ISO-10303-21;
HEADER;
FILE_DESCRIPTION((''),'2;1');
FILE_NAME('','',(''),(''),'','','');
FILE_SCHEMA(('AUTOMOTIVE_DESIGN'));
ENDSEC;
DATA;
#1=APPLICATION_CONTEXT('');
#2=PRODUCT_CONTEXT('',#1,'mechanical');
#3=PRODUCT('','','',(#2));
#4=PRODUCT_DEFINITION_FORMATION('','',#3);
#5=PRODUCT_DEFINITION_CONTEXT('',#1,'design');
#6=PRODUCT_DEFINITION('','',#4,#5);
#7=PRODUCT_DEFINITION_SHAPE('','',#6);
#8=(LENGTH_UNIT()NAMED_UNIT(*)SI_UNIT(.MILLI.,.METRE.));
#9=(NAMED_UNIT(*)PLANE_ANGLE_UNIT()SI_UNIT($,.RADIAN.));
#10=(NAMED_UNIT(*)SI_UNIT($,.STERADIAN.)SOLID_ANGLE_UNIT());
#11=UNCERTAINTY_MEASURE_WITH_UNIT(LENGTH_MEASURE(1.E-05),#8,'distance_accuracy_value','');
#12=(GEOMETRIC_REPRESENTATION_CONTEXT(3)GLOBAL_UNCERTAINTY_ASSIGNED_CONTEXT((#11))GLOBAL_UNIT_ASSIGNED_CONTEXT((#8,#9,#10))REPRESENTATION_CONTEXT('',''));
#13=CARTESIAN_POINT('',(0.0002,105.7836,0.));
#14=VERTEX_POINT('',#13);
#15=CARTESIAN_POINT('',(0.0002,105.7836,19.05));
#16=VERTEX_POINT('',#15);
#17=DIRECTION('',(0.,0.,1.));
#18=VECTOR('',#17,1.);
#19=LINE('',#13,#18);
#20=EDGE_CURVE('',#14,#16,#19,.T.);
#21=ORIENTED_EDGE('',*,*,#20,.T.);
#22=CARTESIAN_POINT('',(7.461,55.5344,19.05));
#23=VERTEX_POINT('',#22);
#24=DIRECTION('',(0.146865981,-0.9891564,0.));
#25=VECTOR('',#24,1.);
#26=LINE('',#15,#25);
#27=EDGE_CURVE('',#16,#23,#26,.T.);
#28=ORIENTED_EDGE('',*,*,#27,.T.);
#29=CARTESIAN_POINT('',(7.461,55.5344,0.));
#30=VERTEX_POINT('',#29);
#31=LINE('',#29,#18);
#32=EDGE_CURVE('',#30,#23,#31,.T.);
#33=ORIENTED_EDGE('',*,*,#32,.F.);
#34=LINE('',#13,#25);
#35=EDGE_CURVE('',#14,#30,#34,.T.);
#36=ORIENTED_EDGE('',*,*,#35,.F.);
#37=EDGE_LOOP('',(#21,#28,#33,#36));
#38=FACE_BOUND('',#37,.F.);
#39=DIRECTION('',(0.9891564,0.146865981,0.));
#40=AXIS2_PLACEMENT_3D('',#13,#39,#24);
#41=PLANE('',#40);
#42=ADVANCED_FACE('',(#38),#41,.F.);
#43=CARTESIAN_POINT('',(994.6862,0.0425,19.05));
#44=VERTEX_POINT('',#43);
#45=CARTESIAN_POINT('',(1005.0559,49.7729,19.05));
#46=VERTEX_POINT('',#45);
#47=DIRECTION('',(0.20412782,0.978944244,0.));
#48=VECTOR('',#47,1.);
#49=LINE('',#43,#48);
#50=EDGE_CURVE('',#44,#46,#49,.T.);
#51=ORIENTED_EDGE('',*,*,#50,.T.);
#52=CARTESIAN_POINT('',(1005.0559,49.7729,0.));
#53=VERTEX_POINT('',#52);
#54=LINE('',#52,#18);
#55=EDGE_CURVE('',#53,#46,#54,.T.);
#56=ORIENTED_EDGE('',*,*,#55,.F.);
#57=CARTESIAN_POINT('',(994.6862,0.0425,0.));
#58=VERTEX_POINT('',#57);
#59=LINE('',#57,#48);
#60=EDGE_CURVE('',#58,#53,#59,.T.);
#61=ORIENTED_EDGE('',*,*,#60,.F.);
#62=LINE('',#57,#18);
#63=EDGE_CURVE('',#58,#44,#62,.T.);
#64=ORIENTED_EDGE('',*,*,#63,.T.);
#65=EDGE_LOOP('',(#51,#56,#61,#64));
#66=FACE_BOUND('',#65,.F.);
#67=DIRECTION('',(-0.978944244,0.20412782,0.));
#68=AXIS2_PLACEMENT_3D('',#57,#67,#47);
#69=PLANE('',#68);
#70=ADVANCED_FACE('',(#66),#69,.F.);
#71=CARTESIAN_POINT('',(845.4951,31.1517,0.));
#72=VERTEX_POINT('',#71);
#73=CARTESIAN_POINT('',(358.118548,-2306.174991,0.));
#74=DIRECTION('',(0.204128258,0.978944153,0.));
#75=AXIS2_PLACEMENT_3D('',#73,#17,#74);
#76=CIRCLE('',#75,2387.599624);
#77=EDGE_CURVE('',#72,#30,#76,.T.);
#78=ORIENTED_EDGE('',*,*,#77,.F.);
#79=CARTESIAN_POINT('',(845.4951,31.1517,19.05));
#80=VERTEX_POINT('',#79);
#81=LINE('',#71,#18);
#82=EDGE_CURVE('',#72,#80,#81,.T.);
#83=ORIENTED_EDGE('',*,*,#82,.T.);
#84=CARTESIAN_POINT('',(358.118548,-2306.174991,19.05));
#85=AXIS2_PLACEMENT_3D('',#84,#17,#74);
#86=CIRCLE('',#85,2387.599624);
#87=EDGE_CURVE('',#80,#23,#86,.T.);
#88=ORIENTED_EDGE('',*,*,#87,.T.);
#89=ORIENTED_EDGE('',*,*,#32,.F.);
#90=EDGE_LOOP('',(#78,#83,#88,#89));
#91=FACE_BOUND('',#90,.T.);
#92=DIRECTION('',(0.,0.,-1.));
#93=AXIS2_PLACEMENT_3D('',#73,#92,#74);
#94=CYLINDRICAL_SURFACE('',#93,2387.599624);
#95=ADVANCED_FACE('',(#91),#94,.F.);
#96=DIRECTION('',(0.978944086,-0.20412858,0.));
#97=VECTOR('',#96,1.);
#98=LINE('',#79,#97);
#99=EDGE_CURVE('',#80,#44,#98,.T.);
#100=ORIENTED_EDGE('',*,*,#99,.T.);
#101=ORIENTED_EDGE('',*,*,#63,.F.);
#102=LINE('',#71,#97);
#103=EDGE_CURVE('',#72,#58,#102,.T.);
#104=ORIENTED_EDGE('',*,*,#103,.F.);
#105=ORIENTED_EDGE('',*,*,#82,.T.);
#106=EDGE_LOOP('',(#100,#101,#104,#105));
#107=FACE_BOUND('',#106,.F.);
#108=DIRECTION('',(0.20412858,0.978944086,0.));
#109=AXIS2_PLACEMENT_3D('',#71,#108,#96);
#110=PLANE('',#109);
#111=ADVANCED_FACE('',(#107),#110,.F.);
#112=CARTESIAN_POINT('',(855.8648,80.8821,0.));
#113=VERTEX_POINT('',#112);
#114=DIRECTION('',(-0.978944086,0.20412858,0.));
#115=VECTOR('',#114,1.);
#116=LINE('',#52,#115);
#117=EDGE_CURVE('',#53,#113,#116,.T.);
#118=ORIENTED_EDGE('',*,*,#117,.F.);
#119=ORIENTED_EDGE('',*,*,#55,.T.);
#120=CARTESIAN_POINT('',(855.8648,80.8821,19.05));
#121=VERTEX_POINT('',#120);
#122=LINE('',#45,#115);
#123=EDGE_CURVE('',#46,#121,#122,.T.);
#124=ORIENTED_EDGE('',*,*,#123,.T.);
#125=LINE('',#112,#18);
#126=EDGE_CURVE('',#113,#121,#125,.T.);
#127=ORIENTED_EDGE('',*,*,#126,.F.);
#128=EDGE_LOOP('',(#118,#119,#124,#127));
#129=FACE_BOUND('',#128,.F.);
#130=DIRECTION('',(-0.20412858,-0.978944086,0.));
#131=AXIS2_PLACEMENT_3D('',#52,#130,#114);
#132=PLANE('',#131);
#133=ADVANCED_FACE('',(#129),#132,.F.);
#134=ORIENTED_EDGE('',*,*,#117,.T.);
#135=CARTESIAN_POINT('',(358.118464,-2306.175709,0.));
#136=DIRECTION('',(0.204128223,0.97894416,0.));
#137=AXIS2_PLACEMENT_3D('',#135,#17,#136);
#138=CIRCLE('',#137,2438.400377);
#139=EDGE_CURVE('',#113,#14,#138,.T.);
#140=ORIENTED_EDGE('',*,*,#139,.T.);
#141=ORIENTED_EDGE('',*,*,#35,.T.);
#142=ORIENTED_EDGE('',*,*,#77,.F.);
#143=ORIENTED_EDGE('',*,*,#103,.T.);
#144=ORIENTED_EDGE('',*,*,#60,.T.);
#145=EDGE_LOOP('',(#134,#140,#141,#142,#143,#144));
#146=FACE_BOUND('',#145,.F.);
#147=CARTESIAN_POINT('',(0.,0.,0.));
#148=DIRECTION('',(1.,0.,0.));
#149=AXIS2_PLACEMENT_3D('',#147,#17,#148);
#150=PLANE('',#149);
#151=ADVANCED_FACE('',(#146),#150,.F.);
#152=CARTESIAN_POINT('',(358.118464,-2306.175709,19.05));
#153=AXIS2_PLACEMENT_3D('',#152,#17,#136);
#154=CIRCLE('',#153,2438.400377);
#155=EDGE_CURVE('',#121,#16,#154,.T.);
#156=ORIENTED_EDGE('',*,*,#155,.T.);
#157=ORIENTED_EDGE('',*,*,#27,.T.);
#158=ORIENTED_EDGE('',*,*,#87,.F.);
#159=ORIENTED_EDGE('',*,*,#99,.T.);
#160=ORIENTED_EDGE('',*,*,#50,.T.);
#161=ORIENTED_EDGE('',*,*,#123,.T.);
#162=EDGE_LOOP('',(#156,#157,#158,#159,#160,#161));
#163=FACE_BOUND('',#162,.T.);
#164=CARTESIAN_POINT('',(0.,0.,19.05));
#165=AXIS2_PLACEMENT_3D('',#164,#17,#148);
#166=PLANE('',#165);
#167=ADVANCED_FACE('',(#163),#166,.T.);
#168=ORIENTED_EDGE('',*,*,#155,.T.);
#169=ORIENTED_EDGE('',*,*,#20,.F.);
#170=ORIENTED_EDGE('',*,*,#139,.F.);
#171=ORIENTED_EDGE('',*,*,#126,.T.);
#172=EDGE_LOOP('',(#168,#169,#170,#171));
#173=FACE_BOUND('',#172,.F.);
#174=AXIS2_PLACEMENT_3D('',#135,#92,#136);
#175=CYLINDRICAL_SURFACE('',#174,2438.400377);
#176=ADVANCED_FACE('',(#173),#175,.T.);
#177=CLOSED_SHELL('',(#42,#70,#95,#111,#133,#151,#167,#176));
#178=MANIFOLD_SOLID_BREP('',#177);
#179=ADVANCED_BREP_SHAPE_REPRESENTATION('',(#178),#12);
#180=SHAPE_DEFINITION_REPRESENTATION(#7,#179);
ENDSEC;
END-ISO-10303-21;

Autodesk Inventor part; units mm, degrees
ref_plane "YZ Plane" through (0, 0, 0) normal (1, 0, 0) x (0, 1, 0)
ref_plane "XZ Plane" through (0, 0, 0) normal (0, 1, 0) x (-1, 0, 0)
ref_plane "XY Plane" through (0, 0, 0) normal (0, 0, 1) x (1, 0, 0)
sketch "Sketch1" plane through (0, 0, 0) normal (0, 0, 1) x (1, 0, 0)
  line L0 (0.0002, 105.7836) -> (7.461, 55.5344)
  arc A0 (845.4951, 31.1517) -> (7.461, 55.5344) centre (358.1185, -2306.1754) ccw
  line L1 (845.4951, 31.1517) -> (994.6862, 0.0425)
  line L2 (994.6862, 0.0425) -> (1005.0559, 49.7729)
  line L3 (1005.0559, 49.7729) -> (855.8648, 80.8821)
  arc A1 (855.8648, 80.8821) -> (0.0002, 105.7836) centre (358.1185, -2306.1754) ccw
extrude "Extrusion1" add sketch "Sketch1" along normal blind 19.05
properties part number "nd-i"
